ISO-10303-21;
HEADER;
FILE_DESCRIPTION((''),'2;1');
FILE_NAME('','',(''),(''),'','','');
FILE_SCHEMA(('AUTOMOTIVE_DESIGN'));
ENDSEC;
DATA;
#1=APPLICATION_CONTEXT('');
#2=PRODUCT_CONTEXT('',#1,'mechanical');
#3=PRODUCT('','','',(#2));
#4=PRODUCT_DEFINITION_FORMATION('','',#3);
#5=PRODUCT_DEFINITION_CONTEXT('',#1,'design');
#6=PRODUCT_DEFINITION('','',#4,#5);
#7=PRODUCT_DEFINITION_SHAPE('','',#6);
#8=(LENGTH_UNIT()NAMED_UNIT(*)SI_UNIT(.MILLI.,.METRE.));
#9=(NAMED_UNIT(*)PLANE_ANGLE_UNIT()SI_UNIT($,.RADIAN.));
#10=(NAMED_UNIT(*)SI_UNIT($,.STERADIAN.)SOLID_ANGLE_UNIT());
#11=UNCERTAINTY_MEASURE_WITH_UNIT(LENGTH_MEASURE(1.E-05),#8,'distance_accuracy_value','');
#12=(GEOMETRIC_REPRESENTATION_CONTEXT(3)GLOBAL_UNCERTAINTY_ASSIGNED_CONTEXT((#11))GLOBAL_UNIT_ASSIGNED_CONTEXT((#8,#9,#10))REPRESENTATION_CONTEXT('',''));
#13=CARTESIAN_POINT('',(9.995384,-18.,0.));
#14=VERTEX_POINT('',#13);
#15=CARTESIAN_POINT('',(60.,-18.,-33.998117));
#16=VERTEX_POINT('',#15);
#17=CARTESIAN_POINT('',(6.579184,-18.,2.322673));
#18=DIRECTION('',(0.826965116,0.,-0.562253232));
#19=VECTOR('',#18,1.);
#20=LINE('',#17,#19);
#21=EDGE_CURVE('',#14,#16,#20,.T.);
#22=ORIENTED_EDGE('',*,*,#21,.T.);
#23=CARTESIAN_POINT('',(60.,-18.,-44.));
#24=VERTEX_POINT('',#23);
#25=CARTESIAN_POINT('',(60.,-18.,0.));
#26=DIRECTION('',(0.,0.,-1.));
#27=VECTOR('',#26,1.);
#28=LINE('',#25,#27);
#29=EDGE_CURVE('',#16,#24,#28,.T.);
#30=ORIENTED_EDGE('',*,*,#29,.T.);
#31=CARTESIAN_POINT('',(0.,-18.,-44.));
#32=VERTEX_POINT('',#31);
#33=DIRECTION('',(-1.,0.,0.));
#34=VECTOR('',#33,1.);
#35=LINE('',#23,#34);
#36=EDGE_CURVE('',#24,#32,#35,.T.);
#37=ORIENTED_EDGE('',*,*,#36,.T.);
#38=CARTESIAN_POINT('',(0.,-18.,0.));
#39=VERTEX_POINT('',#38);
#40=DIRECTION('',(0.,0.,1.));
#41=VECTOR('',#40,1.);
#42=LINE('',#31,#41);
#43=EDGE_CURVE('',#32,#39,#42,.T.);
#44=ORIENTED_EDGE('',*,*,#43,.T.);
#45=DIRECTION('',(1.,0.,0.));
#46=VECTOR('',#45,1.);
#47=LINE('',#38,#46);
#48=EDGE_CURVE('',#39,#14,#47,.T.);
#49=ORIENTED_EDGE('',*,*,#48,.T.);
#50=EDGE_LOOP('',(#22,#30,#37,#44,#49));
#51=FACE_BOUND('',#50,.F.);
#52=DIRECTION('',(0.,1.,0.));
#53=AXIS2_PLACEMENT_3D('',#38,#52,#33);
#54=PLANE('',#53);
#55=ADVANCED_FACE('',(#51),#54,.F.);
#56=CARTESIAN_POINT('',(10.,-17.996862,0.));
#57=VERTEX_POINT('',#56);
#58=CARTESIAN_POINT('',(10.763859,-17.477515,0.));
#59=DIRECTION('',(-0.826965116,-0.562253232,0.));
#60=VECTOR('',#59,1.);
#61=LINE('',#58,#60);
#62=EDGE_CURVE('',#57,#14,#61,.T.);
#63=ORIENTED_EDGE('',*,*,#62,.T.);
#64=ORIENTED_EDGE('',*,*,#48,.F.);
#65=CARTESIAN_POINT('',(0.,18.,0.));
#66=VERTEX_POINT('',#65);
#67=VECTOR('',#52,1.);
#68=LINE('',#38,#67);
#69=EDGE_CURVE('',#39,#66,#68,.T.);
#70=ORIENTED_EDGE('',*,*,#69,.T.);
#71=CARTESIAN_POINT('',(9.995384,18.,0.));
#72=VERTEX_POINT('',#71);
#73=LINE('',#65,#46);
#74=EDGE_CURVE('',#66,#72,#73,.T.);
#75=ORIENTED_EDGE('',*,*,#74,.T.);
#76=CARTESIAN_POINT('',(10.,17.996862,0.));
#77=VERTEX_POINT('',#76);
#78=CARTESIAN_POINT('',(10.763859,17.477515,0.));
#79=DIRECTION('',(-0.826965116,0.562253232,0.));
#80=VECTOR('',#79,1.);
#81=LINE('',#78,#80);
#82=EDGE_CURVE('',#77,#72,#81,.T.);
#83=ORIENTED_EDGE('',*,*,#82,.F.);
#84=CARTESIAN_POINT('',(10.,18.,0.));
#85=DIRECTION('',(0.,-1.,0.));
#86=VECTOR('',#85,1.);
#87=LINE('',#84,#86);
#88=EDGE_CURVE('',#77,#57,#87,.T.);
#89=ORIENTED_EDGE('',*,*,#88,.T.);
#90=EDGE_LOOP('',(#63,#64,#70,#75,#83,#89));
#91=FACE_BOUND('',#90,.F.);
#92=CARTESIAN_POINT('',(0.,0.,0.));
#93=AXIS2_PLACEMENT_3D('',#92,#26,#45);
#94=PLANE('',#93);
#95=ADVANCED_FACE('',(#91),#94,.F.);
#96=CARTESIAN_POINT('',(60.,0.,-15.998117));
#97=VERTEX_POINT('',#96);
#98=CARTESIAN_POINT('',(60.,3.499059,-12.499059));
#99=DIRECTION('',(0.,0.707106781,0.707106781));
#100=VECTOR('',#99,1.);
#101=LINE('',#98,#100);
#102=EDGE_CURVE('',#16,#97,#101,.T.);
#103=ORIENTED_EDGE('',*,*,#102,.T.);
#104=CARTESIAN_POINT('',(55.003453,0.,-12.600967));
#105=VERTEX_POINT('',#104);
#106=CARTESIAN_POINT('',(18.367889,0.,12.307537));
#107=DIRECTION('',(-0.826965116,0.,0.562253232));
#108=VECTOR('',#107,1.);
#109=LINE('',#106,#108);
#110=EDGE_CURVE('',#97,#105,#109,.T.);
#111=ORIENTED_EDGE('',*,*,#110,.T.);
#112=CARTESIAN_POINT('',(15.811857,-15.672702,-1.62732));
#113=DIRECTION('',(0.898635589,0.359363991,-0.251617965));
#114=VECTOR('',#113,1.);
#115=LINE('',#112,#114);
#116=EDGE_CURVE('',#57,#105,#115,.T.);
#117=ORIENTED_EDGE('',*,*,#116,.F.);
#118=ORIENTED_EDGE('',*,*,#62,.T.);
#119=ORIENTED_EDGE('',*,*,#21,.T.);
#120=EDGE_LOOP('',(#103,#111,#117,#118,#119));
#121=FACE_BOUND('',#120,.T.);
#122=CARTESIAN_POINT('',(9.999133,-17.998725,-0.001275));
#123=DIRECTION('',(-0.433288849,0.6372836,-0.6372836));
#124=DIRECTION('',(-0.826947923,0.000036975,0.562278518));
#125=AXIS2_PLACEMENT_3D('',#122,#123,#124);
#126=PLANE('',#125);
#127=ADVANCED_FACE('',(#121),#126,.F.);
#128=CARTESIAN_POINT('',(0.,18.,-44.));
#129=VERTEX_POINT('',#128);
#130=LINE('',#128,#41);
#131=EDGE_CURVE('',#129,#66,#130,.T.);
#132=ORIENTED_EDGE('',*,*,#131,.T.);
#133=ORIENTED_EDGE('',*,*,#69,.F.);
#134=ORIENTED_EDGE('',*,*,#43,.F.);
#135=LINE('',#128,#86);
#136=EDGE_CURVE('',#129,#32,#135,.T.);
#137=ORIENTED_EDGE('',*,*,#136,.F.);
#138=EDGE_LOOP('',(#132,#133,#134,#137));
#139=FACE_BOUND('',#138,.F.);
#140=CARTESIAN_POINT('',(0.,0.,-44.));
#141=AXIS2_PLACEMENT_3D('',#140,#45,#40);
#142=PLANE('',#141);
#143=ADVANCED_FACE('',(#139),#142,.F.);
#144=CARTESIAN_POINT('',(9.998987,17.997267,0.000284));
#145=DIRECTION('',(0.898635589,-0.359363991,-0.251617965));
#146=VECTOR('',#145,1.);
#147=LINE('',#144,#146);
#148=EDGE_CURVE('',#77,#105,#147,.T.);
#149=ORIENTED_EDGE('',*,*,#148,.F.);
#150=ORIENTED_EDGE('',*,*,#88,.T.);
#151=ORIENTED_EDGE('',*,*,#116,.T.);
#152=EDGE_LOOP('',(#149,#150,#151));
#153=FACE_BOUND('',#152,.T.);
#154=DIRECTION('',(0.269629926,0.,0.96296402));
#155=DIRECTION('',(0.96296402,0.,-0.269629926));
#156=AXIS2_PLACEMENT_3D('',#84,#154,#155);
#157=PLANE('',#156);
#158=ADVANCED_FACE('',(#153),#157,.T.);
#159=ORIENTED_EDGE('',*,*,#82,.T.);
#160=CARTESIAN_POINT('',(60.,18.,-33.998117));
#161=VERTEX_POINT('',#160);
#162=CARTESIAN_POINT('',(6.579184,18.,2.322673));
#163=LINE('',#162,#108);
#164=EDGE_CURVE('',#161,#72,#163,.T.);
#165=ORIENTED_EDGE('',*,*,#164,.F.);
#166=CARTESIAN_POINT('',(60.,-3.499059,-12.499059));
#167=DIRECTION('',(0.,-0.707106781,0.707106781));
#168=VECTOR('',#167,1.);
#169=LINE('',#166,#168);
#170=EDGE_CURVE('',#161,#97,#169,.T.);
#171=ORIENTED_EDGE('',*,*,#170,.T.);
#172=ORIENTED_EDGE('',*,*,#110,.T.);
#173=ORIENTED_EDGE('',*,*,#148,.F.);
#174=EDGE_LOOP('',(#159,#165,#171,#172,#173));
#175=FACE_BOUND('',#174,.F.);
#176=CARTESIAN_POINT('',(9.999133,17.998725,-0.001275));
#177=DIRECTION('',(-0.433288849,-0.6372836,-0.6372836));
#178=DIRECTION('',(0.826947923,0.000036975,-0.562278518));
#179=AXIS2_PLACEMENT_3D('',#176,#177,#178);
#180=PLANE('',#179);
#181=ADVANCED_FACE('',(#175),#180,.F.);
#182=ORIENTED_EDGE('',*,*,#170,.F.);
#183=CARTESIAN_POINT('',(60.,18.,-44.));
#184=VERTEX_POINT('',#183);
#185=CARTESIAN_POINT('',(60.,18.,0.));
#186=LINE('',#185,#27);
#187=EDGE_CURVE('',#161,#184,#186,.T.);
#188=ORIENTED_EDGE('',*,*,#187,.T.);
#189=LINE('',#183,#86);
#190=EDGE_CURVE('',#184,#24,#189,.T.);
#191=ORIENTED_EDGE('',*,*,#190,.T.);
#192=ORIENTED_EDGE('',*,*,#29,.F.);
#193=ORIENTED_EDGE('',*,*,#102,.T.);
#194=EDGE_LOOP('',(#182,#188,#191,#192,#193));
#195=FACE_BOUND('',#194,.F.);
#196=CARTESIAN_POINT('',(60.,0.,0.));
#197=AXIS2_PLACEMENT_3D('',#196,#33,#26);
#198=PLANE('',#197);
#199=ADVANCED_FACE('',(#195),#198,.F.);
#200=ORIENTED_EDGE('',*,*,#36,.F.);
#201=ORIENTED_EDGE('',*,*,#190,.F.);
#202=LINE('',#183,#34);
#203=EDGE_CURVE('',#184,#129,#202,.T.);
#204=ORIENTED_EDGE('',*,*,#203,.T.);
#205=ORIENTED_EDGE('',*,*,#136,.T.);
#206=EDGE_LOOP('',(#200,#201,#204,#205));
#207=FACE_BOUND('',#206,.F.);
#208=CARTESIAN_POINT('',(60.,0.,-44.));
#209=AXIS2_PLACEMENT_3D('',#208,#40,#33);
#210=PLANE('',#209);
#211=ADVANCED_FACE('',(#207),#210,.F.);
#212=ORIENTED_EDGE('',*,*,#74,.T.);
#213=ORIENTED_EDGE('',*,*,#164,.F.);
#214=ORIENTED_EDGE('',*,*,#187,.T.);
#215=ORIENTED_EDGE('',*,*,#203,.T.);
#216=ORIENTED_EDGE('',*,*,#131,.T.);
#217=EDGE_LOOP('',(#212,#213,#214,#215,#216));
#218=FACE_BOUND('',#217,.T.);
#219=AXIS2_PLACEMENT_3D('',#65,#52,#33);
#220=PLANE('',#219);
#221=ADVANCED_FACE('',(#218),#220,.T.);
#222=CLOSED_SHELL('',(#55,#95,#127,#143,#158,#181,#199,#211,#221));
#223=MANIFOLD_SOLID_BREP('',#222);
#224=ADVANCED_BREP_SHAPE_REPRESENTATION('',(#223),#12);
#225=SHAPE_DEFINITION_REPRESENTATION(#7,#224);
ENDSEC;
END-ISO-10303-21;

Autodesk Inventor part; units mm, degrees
ref_plane "YZ Plane" through (0, 0, 0) normal (1, 0, 0) x (0, 1, 0)
ref_plane "XZ Plane" through (0, 0, 0) normal (0, 1, 0) x (-1, 0, 0)
sketch "草圖1" plane through (0, 0, 0) normal (0, 1, 0) x (-1, 0, 0)
  line L0 (0, 0) -> (-60, 0)
  line L1 (-60, 0) -> (-60, -44)
  line L2 (-60, -44) -> (0, -44)
  line L3 (0, -44) -> (0, 0)
  dimension "d0" = 60
  dimension "d1" = 44
extrude "擠出1" add sketch "草圖1" along normal mid plane 36
sketch "草圖2" plane through (0, 18, 0) normal (0, 1, 0) x (1, 0, 0)
  line L0 (0, 0) -> (60, 0) projected
  line L1 (10, 0) -> (60, 14)
  line L2 (60, 0) -> (60, 44) projected
  dimension "d4" = 10
  dimension "d5" = 30
extrude "擠出2" cut sketch "草圖2" against normal blind 40
sketch "草圖3" plane through (60, -18, -44) normal (1, 0, 0) x (0, 0, -1)
  line L0 (-30, 16) -> (-10, 36)
  line L1 (0, 36) -> (-44, 36) projected
  line L2 (-30, 36) -> (-30, 0) projected
  point P0 (-44, 18)
  dimension "d8" = 20
  dimension "d9" = 20
ref_plane "工作平面1" through (10, 18, 0) normal (-0.4333, -0.6373, -0.6373) x (0.8269, 0, -0.5623)
sketch "草圖4" plane through (10, 18, 0) normal (-0.4333, -0.6373, -0.6373) x (0.8269, 0, -0.5623)
  line L0 (-15.1543, -12.3218) -> (93.717, -12.3218)
  line L1 (93.717, -12.3218) -> (93.717, 28.8166)
  line L2 (93.717, 28.8166) -> (-15.1543, 28.8166)
  line L3 (-15.1543, 28.8166) -> (-15.1543, -12.3218)
  point P0 (-8.2693, 10.2882)
extrude "擠出3" cut sketch "草圖4" against normal blind 40
mirror "鏡射1" about plane through (0, 0, 0) normal (0, 1, 0) of "擠出3"
properties part number "23"
